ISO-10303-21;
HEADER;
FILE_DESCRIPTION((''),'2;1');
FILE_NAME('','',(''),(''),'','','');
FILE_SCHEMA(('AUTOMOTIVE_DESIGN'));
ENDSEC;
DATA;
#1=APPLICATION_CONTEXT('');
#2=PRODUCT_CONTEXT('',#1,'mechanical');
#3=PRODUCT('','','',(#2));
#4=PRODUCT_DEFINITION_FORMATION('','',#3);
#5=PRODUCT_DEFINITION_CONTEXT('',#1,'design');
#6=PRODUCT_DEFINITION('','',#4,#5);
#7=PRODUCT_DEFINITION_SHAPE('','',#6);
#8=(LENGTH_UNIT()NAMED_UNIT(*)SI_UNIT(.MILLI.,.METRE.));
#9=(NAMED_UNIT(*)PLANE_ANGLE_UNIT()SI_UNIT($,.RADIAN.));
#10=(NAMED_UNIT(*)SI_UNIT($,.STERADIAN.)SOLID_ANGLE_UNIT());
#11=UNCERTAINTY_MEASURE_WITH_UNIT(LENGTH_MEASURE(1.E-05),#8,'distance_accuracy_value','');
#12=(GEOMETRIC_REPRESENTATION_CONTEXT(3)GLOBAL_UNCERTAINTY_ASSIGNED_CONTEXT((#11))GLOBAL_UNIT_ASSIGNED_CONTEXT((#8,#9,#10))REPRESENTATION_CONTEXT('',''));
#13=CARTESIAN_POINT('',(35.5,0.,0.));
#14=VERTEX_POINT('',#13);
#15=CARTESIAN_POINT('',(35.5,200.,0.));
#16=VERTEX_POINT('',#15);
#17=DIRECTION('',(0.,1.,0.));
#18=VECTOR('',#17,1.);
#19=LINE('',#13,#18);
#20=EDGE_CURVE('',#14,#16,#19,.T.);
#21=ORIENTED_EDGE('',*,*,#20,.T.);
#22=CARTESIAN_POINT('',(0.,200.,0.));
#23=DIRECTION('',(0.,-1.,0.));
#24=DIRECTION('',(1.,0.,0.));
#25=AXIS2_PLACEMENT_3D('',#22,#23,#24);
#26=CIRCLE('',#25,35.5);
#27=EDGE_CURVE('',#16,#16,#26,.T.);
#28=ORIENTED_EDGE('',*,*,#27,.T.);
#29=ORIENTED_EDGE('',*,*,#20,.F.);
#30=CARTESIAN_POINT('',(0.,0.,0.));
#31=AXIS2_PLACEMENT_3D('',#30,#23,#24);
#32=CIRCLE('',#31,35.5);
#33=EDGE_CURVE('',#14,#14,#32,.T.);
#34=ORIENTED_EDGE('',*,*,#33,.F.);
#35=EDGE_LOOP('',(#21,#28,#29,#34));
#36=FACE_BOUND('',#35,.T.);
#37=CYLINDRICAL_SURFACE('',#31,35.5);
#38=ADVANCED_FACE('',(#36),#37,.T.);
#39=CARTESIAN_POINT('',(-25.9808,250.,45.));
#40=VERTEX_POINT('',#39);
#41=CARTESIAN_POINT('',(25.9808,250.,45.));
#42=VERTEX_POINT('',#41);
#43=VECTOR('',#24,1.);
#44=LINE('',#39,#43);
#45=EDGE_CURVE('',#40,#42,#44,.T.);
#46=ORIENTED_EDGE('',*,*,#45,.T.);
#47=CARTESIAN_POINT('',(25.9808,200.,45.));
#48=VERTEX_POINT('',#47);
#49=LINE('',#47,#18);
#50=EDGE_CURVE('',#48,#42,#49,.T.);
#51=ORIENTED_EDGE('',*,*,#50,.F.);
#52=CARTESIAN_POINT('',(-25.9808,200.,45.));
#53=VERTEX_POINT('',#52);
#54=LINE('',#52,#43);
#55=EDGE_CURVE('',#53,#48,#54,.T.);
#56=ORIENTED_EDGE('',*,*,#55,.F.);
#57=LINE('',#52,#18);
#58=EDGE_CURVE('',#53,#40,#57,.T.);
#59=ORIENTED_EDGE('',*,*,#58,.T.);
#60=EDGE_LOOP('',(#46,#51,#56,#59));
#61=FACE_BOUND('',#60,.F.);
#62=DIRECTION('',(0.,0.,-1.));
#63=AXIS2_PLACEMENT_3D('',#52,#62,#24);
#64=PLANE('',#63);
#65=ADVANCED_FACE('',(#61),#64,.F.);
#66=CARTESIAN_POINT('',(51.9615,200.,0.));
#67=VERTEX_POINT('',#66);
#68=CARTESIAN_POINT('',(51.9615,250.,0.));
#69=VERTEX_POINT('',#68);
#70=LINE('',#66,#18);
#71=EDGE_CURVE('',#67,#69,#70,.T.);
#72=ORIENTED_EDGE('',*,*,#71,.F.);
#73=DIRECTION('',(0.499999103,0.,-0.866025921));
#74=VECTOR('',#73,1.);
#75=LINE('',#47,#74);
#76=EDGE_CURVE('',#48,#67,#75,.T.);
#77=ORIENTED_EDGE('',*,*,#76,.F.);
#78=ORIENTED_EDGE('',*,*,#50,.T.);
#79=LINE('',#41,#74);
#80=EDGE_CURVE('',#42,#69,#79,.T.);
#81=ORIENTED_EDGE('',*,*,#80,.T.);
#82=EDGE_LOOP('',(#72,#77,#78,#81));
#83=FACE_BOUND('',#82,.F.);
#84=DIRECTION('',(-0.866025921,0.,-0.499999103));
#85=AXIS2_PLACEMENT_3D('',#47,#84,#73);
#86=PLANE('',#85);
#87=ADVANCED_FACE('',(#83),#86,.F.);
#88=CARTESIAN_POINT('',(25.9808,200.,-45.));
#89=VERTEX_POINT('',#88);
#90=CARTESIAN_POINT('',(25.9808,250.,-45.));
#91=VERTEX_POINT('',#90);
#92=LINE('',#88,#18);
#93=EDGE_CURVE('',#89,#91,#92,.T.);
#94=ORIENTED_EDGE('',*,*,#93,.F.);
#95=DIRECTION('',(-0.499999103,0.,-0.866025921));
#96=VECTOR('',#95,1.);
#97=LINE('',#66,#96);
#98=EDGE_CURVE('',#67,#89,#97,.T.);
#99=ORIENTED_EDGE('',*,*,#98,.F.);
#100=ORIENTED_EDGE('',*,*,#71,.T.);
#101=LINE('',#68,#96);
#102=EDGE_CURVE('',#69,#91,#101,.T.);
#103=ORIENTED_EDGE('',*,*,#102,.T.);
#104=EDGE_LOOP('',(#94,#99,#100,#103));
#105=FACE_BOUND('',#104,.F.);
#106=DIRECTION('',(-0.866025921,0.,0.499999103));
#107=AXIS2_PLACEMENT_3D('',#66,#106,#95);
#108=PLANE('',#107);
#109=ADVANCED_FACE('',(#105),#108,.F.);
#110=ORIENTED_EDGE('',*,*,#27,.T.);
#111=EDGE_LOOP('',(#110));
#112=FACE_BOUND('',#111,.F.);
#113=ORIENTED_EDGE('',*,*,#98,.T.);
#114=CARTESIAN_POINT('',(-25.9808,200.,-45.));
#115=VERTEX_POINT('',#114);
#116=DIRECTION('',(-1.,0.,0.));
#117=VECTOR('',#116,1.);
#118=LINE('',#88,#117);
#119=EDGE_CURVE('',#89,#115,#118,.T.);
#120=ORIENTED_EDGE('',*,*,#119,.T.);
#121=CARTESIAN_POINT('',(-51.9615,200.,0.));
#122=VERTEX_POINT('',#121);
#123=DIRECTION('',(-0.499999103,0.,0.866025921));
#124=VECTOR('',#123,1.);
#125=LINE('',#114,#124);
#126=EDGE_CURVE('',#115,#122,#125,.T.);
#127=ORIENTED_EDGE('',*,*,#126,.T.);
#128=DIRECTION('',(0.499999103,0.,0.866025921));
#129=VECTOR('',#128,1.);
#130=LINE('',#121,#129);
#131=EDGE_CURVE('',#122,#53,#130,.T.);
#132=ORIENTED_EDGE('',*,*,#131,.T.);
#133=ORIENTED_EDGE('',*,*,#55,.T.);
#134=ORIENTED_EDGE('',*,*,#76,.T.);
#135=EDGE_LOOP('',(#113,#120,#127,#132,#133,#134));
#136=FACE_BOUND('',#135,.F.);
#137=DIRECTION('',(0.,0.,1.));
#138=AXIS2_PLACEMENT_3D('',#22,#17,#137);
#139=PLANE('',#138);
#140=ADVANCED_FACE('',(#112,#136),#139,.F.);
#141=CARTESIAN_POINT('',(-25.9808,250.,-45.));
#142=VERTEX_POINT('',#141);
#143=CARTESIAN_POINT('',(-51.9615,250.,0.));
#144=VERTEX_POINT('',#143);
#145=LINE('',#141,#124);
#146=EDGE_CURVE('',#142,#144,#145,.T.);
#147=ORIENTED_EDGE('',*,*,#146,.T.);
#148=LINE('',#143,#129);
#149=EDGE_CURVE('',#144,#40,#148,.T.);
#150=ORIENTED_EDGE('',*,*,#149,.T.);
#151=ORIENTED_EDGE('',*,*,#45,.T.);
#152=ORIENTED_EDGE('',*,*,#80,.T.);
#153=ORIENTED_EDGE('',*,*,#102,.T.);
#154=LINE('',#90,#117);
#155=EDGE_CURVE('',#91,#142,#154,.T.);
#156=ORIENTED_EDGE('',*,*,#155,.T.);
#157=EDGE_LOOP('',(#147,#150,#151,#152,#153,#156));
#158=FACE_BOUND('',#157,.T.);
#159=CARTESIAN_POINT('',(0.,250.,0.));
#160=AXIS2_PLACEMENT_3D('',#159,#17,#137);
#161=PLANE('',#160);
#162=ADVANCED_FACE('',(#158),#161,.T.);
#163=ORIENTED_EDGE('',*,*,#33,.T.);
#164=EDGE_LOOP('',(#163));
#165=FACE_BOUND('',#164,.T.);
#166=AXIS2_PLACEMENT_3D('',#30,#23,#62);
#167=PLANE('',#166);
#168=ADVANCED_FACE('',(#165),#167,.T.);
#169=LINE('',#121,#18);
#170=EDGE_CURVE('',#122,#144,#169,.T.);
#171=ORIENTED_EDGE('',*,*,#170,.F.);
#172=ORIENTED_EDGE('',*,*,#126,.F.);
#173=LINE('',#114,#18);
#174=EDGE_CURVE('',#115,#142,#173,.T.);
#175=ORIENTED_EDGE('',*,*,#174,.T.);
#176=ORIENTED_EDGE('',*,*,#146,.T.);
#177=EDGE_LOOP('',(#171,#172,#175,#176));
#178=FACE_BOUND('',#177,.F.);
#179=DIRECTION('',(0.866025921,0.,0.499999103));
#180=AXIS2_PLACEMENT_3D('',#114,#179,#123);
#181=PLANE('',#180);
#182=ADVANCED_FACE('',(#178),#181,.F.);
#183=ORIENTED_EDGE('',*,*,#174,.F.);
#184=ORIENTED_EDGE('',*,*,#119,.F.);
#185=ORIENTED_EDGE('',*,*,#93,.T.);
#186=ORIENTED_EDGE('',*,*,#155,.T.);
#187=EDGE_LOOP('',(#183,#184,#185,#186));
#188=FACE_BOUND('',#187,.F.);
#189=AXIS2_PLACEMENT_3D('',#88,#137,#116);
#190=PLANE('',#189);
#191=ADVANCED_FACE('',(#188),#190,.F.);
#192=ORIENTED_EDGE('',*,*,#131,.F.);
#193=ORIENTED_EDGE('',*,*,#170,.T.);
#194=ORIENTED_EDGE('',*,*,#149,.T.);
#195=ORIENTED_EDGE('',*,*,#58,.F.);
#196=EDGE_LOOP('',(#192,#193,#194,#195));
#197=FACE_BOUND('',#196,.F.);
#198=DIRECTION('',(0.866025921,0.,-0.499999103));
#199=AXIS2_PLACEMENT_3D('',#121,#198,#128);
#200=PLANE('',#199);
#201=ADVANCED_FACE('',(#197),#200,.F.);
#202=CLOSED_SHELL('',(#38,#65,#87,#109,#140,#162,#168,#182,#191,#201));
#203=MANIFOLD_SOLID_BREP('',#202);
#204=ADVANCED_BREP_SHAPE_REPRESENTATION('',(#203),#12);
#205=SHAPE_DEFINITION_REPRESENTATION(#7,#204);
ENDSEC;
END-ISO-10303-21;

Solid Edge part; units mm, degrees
sketch "Sketch1" plane through (0, 0, 0) normal (0, -1, 0) x (1, 0, 0)
  circle A0 centre (0, 0) radius 35.5
extrude "Protrusion1" add sketch "Sketch1" against normal blind 200
sketch "Sketch2" plane through (0, 200, 0) normal (0, 1, 0) x (-1, 0, 0)
  line L0 (25.9808, 45) -> (-25.9808, 45)
  line L1 (-25.9808, 45) -> (-51.9615, 0)
  line L2 (-51.9615, 0) -> (-25.9808, -45)
  line L3 (-25.9808, -45) -> (25.9808, -45)
  line L4 (25.9808, -45) -> (51.9615, 0)
  line L5 (51.9615, 0) -> (25.9808, 45)
extrude "ProtrusiónExtruida_3" add sketch "Sketch2" along normal blind 50
